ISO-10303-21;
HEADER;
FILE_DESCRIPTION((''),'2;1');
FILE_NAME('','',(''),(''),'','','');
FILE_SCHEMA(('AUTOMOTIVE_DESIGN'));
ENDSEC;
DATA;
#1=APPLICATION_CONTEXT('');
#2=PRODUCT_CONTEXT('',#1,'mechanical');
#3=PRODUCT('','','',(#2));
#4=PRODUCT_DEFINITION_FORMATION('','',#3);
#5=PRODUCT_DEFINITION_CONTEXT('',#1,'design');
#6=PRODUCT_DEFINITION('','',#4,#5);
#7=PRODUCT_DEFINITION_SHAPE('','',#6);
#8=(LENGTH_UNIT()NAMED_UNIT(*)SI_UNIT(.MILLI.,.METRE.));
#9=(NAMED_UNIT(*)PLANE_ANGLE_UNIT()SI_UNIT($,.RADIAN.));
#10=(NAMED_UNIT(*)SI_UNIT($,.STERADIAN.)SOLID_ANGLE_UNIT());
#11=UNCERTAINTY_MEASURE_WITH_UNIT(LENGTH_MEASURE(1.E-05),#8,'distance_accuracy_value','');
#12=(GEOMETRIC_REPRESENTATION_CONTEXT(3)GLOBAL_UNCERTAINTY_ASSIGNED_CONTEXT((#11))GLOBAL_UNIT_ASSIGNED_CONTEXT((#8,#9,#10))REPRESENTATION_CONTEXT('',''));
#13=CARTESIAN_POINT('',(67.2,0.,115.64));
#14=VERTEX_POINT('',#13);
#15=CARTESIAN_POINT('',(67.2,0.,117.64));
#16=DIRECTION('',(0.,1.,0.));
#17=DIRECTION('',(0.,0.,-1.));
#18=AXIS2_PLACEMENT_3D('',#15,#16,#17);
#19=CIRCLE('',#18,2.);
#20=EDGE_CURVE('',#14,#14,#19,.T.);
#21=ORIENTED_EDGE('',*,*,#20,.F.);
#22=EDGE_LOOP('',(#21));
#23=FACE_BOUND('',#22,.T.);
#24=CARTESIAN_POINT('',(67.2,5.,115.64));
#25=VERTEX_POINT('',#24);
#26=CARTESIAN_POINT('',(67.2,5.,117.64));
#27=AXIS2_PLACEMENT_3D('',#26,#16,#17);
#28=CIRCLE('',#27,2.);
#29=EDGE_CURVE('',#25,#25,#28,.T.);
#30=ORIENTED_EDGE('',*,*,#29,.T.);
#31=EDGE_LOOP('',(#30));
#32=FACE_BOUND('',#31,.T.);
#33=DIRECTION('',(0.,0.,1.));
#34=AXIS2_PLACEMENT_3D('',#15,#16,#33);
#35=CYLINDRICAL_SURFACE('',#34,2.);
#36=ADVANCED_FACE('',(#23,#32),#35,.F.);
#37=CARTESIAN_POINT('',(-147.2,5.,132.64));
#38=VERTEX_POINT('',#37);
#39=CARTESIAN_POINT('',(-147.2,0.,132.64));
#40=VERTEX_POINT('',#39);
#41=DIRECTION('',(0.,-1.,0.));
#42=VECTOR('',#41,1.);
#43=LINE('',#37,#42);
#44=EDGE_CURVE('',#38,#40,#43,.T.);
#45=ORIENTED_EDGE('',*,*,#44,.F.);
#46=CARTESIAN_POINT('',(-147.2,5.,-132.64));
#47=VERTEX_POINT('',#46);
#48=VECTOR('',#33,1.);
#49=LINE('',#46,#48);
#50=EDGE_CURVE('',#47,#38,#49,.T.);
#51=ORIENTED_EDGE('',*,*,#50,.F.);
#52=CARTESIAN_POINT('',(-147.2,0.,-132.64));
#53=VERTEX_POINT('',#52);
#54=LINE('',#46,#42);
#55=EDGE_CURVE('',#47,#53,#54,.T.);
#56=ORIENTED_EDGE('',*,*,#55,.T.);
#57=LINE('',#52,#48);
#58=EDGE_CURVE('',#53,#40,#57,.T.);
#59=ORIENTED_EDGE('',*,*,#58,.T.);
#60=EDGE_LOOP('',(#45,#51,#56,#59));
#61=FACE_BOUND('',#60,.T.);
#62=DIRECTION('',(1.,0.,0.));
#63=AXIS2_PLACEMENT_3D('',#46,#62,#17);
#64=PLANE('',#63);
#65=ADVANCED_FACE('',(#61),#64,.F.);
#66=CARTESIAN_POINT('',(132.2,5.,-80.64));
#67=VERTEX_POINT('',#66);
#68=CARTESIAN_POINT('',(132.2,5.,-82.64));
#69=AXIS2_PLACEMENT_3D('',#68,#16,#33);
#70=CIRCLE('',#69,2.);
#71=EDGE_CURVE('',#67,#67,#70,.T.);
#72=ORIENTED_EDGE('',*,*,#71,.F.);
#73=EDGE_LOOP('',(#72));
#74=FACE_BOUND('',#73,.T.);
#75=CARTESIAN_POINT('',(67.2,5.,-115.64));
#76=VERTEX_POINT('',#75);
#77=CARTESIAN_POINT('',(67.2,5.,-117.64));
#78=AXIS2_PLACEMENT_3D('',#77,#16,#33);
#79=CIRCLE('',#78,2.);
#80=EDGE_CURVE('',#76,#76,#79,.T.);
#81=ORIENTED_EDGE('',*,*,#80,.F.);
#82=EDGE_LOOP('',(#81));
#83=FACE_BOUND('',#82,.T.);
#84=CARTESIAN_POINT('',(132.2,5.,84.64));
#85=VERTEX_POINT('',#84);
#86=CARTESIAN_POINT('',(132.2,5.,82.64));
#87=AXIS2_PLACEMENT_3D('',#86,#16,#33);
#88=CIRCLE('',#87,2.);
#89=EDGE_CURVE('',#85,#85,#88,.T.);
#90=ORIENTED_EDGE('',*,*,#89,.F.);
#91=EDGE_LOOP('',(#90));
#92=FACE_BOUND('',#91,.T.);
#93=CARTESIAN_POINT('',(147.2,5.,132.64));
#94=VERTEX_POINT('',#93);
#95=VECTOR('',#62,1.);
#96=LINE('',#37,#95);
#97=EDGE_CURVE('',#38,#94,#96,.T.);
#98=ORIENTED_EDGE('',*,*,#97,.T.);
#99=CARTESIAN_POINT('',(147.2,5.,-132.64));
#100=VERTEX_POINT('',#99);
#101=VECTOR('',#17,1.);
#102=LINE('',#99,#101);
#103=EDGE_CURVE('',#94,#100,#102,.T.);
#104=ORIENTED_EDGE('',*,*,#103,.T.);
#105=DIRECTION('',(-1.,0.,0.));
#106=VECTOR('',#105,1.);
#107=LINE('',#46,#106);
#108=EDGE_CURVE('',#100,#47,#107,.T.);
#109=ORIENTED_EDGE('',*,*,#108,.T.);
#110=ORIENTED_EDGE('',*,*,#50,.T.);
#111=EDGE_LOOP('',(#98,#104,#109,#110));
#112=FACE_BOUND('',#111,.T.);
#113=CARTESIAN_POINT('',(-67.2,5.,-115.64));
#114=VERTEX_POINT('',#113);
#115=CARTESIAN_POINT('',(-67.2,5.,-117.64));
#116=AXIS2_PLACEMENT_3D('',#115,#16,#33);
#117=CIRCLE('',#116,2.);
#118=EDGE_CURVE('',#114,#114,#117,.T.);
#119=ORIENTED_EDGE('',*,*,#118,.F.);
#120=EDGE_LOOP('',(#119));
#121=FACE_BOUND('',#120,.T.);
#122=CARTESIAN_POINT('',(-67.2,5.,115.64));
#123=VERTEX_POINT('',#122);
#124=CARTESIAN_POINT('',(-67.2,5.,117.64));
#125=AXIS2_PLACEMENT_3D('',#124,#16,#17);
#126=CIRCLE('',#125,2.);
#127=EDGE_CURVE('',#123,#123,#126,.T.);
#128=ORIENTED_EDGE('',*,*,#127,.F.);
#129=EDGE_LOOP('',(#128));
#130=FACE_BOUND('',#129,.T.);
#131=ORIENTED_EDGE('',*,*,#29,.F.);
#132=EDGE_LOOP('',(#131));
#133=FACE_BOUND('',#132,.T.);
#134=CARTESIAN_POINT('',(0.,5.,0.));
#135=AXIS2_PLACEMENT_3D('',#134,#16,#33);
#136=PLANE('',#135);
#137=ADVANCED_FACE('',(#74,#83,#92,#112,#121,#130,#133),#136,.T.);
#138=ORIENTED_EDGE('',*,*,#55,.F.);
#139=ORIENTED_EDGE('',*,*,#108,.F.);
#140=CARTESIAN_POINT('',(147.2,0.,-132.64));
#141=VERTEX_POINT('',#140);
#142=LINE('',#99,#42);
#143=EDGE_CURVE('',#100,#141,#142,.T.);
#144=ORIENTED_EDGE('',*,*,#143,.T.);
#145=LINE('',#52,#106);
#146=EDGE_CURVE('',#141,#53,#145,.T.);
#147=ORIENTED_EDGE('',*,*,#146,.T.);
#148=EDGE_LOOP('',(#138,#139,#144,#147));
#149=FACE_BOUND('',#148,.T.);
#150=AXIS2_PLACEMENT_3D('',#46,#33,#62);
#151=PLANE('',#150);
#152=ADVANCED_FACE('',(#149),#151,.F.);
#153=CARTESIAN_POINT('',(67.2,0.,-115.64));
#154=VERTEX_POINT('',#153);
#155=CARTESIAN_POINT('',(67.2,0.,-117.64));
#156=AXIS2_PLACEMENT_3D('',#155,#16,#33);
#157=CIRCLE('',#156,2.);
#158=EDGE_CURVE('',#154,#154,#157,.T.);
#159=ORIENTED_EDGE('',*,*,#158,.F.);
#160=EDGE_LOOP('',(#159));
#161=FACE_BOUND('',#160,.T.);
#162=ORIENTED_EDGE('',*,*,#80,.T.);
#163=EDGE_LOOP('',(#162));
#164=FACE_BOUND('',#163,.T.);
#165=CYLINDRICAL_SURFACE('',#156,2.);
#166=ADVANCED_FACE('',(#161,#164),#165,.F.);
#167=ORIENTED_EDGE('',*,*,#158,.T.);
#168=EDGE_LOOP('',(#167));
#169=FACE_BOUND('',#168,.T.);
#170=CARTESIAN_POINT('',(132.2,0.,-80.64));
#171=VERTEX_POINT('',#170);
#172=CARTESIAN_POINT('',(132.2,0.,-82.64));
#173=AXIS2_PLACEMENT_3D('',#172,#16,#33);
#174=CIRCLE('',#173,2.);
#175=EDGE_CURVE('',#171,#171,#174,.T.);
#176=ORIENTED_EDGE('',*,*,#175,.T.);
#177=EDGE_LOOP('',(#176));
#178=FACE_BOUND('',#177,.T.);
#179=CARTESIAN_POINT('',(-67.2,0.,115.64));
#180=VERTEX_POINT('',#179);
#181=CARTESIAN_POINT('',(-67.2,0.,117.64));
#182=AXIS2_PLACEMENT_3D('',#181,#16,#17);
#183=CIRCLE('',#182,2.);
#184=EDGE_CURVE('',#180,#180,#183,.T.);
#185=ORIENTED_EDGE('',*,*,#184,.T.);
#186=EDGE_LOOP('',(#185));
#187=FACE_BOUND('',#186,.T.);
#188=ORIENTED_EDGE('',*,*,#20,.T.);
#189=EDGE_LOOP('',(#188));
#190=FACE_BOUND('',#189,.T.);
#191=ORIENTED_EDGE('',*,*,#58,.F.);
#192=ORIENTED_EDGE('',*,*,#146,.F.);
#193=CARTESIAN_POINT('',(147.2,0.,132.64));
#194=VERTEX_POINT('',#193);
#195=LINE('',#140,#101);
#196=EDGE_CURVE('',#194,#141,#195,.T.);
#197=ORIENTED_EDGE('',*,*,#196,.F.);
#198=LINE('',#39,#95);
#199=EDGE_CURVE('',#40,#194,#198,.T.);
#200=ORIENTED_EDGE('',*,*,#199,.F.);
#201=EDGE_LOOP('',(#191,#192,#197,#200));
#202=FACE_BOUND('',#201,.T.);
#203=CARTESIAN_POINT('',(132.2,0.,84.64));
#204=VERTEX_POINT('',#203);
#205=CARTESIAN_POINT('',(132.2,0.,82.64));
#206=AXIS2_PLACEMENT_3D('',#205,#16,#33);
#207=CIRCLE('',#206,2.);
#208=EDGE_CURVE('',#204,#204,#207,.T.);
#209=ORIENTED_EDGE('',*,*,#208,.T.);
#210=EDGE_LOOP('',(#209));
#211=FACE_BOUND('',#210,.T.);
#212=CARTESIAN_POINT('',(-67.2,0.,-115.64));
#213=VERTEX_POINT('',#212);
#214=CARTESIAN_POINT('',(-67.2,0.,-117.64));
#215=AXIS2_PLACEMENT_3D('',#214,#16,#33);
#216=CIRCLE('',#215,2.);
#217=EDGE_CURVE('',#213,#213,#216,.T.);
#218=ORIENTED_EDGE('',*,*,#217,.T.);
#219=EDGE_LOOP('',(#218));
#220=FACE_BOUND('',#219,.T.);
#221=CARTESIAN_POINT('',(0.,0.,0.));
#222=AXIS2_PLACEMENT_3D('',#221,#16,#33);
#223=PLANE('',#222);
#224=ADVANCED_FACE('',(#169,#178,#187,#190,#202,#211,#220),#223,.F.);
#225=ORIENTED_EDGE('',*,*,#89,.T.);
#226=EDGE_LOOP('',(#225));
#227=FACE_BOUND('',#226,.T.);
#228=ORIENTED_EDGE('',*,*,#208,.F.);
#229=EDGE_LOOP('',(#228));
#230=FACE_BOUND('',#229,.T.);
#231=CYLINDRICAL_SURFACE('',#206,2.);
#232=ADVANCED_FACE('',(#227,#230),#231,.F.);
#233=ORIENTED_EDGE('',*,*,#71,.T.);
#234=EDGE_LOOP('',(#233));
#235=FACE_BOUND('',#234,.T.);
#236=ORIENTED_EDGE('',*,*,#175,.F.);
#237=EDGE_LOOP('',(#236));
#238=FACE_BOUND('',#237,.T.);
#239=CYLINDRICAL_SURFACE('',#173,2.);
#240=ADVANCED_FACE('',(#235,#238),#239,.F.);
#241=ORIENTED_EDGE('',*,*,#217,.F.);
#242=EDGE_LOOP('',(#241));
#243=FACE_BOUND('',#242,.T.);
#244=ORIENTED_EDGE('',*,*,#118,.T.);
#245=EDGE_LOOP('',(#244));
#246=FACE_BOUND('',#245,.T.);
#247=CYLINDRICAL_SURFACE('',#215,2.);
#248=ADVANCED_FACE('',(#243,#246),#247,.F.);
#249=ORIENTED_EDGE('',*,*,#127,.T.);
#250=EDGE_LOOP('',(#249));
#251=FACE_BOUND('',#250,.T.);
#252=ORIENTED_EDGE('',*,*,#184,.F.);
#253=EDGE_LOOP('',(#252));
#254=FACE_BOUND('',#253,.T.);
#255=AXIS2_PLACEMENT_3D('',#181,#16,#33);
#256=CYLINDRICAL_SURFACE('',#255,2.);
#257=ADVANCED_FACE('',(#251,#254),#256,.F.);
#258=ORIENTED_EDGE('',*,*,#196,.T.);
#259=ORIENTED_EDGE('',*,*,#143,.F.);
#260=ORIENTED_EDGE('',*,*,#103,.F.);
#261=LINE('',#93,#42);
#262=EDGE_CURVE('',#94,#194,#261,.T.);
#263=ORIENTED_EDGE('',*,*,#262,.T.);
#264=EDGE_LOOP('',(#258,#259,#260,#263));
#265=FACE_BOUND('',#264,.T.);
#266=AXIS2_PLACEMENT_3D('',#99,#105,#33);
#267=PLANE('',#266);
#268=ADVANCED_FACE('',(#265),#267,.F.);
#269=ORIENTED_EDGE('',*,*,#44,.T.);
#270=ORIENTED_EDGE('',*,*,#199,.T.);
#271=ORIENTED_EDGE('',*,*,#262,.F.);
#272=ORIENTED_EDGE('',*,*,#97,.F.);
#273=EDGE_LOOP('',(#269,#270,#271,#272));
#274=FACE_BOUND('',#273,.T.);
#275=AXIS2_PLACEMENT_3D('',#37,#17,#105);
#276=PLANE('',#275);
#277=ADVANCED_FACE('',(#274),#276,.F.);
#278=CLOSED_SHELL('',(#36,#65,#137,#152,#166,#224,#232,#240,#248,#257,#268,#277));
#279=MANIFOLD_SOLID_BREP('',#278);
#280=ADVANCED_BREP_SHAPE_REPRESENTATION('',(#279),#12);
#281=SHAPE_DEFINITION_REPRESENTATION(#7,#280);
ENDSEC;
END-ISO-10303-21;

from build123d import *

# Parameters (mm, degrees)
SKETCH1_W           = 294.4
SKETCH1_H           = 265.28
BOSS_EXTRUDE1_DEPTH = 5
SKETCH2_R           = 2
CUT_EXTRUDE1_DEPTH  = 5
SKETCH3_R           = 2
CUT_EXTRUDE2_DEPTH  = 5


with BuildPart() as part:
    # Sketch1 → Boss-Extrude1 (new body)
    with BuildSketch(Plane(origin=(0, 0, 0), x_dir=(1, 0, 0), z_dir=(0, 1, 0))):
        Rectangle(SKETCH1_W, SKETCH1_H)
    extrude(amount=BOSS_EXTRUDE1_DEPTH)

    # Sketch2 → Cut-Extrude1 (cut)
    with BuildSketch(Plane(origin=(0, 5, 0), x_dir=(1, 0, 0), z_dir=(0, 1, 0))):
        with Locations((132.2, -82.64)):
            Circle(SKETCH2_R)
        with Locations((132.2, 82.64)):
            Circle(SKETCH2_R)
    extrude(amount=-CUT_EXTRUDE1_DEPTH, mode=Mode.SUBTRACT)

    # Sketch3 → Cut-Extrude2 (cut)
    with BuildSketch(Plane(origin=(0, 5, 0), x_dir=(1, 0, 0), z_dir=(0, 1, 0))):
        with Locations((-67.2, 117.64)):
            Circle(SKETCH3_R)
        with Locations((67.2, 117.64)):
            Circle(SKETCH3_R)
        with Locations((67.2, -117.64)):
            Circle(SKETCH3_R)
        with Locations((-67.2, -117.64)):
            Circle(SKETCH3_R)
    extrude(amount=-CUT_EXTRUDE2_DEPTH, mode=Mode.SUBTRACT)


solid = part.part
